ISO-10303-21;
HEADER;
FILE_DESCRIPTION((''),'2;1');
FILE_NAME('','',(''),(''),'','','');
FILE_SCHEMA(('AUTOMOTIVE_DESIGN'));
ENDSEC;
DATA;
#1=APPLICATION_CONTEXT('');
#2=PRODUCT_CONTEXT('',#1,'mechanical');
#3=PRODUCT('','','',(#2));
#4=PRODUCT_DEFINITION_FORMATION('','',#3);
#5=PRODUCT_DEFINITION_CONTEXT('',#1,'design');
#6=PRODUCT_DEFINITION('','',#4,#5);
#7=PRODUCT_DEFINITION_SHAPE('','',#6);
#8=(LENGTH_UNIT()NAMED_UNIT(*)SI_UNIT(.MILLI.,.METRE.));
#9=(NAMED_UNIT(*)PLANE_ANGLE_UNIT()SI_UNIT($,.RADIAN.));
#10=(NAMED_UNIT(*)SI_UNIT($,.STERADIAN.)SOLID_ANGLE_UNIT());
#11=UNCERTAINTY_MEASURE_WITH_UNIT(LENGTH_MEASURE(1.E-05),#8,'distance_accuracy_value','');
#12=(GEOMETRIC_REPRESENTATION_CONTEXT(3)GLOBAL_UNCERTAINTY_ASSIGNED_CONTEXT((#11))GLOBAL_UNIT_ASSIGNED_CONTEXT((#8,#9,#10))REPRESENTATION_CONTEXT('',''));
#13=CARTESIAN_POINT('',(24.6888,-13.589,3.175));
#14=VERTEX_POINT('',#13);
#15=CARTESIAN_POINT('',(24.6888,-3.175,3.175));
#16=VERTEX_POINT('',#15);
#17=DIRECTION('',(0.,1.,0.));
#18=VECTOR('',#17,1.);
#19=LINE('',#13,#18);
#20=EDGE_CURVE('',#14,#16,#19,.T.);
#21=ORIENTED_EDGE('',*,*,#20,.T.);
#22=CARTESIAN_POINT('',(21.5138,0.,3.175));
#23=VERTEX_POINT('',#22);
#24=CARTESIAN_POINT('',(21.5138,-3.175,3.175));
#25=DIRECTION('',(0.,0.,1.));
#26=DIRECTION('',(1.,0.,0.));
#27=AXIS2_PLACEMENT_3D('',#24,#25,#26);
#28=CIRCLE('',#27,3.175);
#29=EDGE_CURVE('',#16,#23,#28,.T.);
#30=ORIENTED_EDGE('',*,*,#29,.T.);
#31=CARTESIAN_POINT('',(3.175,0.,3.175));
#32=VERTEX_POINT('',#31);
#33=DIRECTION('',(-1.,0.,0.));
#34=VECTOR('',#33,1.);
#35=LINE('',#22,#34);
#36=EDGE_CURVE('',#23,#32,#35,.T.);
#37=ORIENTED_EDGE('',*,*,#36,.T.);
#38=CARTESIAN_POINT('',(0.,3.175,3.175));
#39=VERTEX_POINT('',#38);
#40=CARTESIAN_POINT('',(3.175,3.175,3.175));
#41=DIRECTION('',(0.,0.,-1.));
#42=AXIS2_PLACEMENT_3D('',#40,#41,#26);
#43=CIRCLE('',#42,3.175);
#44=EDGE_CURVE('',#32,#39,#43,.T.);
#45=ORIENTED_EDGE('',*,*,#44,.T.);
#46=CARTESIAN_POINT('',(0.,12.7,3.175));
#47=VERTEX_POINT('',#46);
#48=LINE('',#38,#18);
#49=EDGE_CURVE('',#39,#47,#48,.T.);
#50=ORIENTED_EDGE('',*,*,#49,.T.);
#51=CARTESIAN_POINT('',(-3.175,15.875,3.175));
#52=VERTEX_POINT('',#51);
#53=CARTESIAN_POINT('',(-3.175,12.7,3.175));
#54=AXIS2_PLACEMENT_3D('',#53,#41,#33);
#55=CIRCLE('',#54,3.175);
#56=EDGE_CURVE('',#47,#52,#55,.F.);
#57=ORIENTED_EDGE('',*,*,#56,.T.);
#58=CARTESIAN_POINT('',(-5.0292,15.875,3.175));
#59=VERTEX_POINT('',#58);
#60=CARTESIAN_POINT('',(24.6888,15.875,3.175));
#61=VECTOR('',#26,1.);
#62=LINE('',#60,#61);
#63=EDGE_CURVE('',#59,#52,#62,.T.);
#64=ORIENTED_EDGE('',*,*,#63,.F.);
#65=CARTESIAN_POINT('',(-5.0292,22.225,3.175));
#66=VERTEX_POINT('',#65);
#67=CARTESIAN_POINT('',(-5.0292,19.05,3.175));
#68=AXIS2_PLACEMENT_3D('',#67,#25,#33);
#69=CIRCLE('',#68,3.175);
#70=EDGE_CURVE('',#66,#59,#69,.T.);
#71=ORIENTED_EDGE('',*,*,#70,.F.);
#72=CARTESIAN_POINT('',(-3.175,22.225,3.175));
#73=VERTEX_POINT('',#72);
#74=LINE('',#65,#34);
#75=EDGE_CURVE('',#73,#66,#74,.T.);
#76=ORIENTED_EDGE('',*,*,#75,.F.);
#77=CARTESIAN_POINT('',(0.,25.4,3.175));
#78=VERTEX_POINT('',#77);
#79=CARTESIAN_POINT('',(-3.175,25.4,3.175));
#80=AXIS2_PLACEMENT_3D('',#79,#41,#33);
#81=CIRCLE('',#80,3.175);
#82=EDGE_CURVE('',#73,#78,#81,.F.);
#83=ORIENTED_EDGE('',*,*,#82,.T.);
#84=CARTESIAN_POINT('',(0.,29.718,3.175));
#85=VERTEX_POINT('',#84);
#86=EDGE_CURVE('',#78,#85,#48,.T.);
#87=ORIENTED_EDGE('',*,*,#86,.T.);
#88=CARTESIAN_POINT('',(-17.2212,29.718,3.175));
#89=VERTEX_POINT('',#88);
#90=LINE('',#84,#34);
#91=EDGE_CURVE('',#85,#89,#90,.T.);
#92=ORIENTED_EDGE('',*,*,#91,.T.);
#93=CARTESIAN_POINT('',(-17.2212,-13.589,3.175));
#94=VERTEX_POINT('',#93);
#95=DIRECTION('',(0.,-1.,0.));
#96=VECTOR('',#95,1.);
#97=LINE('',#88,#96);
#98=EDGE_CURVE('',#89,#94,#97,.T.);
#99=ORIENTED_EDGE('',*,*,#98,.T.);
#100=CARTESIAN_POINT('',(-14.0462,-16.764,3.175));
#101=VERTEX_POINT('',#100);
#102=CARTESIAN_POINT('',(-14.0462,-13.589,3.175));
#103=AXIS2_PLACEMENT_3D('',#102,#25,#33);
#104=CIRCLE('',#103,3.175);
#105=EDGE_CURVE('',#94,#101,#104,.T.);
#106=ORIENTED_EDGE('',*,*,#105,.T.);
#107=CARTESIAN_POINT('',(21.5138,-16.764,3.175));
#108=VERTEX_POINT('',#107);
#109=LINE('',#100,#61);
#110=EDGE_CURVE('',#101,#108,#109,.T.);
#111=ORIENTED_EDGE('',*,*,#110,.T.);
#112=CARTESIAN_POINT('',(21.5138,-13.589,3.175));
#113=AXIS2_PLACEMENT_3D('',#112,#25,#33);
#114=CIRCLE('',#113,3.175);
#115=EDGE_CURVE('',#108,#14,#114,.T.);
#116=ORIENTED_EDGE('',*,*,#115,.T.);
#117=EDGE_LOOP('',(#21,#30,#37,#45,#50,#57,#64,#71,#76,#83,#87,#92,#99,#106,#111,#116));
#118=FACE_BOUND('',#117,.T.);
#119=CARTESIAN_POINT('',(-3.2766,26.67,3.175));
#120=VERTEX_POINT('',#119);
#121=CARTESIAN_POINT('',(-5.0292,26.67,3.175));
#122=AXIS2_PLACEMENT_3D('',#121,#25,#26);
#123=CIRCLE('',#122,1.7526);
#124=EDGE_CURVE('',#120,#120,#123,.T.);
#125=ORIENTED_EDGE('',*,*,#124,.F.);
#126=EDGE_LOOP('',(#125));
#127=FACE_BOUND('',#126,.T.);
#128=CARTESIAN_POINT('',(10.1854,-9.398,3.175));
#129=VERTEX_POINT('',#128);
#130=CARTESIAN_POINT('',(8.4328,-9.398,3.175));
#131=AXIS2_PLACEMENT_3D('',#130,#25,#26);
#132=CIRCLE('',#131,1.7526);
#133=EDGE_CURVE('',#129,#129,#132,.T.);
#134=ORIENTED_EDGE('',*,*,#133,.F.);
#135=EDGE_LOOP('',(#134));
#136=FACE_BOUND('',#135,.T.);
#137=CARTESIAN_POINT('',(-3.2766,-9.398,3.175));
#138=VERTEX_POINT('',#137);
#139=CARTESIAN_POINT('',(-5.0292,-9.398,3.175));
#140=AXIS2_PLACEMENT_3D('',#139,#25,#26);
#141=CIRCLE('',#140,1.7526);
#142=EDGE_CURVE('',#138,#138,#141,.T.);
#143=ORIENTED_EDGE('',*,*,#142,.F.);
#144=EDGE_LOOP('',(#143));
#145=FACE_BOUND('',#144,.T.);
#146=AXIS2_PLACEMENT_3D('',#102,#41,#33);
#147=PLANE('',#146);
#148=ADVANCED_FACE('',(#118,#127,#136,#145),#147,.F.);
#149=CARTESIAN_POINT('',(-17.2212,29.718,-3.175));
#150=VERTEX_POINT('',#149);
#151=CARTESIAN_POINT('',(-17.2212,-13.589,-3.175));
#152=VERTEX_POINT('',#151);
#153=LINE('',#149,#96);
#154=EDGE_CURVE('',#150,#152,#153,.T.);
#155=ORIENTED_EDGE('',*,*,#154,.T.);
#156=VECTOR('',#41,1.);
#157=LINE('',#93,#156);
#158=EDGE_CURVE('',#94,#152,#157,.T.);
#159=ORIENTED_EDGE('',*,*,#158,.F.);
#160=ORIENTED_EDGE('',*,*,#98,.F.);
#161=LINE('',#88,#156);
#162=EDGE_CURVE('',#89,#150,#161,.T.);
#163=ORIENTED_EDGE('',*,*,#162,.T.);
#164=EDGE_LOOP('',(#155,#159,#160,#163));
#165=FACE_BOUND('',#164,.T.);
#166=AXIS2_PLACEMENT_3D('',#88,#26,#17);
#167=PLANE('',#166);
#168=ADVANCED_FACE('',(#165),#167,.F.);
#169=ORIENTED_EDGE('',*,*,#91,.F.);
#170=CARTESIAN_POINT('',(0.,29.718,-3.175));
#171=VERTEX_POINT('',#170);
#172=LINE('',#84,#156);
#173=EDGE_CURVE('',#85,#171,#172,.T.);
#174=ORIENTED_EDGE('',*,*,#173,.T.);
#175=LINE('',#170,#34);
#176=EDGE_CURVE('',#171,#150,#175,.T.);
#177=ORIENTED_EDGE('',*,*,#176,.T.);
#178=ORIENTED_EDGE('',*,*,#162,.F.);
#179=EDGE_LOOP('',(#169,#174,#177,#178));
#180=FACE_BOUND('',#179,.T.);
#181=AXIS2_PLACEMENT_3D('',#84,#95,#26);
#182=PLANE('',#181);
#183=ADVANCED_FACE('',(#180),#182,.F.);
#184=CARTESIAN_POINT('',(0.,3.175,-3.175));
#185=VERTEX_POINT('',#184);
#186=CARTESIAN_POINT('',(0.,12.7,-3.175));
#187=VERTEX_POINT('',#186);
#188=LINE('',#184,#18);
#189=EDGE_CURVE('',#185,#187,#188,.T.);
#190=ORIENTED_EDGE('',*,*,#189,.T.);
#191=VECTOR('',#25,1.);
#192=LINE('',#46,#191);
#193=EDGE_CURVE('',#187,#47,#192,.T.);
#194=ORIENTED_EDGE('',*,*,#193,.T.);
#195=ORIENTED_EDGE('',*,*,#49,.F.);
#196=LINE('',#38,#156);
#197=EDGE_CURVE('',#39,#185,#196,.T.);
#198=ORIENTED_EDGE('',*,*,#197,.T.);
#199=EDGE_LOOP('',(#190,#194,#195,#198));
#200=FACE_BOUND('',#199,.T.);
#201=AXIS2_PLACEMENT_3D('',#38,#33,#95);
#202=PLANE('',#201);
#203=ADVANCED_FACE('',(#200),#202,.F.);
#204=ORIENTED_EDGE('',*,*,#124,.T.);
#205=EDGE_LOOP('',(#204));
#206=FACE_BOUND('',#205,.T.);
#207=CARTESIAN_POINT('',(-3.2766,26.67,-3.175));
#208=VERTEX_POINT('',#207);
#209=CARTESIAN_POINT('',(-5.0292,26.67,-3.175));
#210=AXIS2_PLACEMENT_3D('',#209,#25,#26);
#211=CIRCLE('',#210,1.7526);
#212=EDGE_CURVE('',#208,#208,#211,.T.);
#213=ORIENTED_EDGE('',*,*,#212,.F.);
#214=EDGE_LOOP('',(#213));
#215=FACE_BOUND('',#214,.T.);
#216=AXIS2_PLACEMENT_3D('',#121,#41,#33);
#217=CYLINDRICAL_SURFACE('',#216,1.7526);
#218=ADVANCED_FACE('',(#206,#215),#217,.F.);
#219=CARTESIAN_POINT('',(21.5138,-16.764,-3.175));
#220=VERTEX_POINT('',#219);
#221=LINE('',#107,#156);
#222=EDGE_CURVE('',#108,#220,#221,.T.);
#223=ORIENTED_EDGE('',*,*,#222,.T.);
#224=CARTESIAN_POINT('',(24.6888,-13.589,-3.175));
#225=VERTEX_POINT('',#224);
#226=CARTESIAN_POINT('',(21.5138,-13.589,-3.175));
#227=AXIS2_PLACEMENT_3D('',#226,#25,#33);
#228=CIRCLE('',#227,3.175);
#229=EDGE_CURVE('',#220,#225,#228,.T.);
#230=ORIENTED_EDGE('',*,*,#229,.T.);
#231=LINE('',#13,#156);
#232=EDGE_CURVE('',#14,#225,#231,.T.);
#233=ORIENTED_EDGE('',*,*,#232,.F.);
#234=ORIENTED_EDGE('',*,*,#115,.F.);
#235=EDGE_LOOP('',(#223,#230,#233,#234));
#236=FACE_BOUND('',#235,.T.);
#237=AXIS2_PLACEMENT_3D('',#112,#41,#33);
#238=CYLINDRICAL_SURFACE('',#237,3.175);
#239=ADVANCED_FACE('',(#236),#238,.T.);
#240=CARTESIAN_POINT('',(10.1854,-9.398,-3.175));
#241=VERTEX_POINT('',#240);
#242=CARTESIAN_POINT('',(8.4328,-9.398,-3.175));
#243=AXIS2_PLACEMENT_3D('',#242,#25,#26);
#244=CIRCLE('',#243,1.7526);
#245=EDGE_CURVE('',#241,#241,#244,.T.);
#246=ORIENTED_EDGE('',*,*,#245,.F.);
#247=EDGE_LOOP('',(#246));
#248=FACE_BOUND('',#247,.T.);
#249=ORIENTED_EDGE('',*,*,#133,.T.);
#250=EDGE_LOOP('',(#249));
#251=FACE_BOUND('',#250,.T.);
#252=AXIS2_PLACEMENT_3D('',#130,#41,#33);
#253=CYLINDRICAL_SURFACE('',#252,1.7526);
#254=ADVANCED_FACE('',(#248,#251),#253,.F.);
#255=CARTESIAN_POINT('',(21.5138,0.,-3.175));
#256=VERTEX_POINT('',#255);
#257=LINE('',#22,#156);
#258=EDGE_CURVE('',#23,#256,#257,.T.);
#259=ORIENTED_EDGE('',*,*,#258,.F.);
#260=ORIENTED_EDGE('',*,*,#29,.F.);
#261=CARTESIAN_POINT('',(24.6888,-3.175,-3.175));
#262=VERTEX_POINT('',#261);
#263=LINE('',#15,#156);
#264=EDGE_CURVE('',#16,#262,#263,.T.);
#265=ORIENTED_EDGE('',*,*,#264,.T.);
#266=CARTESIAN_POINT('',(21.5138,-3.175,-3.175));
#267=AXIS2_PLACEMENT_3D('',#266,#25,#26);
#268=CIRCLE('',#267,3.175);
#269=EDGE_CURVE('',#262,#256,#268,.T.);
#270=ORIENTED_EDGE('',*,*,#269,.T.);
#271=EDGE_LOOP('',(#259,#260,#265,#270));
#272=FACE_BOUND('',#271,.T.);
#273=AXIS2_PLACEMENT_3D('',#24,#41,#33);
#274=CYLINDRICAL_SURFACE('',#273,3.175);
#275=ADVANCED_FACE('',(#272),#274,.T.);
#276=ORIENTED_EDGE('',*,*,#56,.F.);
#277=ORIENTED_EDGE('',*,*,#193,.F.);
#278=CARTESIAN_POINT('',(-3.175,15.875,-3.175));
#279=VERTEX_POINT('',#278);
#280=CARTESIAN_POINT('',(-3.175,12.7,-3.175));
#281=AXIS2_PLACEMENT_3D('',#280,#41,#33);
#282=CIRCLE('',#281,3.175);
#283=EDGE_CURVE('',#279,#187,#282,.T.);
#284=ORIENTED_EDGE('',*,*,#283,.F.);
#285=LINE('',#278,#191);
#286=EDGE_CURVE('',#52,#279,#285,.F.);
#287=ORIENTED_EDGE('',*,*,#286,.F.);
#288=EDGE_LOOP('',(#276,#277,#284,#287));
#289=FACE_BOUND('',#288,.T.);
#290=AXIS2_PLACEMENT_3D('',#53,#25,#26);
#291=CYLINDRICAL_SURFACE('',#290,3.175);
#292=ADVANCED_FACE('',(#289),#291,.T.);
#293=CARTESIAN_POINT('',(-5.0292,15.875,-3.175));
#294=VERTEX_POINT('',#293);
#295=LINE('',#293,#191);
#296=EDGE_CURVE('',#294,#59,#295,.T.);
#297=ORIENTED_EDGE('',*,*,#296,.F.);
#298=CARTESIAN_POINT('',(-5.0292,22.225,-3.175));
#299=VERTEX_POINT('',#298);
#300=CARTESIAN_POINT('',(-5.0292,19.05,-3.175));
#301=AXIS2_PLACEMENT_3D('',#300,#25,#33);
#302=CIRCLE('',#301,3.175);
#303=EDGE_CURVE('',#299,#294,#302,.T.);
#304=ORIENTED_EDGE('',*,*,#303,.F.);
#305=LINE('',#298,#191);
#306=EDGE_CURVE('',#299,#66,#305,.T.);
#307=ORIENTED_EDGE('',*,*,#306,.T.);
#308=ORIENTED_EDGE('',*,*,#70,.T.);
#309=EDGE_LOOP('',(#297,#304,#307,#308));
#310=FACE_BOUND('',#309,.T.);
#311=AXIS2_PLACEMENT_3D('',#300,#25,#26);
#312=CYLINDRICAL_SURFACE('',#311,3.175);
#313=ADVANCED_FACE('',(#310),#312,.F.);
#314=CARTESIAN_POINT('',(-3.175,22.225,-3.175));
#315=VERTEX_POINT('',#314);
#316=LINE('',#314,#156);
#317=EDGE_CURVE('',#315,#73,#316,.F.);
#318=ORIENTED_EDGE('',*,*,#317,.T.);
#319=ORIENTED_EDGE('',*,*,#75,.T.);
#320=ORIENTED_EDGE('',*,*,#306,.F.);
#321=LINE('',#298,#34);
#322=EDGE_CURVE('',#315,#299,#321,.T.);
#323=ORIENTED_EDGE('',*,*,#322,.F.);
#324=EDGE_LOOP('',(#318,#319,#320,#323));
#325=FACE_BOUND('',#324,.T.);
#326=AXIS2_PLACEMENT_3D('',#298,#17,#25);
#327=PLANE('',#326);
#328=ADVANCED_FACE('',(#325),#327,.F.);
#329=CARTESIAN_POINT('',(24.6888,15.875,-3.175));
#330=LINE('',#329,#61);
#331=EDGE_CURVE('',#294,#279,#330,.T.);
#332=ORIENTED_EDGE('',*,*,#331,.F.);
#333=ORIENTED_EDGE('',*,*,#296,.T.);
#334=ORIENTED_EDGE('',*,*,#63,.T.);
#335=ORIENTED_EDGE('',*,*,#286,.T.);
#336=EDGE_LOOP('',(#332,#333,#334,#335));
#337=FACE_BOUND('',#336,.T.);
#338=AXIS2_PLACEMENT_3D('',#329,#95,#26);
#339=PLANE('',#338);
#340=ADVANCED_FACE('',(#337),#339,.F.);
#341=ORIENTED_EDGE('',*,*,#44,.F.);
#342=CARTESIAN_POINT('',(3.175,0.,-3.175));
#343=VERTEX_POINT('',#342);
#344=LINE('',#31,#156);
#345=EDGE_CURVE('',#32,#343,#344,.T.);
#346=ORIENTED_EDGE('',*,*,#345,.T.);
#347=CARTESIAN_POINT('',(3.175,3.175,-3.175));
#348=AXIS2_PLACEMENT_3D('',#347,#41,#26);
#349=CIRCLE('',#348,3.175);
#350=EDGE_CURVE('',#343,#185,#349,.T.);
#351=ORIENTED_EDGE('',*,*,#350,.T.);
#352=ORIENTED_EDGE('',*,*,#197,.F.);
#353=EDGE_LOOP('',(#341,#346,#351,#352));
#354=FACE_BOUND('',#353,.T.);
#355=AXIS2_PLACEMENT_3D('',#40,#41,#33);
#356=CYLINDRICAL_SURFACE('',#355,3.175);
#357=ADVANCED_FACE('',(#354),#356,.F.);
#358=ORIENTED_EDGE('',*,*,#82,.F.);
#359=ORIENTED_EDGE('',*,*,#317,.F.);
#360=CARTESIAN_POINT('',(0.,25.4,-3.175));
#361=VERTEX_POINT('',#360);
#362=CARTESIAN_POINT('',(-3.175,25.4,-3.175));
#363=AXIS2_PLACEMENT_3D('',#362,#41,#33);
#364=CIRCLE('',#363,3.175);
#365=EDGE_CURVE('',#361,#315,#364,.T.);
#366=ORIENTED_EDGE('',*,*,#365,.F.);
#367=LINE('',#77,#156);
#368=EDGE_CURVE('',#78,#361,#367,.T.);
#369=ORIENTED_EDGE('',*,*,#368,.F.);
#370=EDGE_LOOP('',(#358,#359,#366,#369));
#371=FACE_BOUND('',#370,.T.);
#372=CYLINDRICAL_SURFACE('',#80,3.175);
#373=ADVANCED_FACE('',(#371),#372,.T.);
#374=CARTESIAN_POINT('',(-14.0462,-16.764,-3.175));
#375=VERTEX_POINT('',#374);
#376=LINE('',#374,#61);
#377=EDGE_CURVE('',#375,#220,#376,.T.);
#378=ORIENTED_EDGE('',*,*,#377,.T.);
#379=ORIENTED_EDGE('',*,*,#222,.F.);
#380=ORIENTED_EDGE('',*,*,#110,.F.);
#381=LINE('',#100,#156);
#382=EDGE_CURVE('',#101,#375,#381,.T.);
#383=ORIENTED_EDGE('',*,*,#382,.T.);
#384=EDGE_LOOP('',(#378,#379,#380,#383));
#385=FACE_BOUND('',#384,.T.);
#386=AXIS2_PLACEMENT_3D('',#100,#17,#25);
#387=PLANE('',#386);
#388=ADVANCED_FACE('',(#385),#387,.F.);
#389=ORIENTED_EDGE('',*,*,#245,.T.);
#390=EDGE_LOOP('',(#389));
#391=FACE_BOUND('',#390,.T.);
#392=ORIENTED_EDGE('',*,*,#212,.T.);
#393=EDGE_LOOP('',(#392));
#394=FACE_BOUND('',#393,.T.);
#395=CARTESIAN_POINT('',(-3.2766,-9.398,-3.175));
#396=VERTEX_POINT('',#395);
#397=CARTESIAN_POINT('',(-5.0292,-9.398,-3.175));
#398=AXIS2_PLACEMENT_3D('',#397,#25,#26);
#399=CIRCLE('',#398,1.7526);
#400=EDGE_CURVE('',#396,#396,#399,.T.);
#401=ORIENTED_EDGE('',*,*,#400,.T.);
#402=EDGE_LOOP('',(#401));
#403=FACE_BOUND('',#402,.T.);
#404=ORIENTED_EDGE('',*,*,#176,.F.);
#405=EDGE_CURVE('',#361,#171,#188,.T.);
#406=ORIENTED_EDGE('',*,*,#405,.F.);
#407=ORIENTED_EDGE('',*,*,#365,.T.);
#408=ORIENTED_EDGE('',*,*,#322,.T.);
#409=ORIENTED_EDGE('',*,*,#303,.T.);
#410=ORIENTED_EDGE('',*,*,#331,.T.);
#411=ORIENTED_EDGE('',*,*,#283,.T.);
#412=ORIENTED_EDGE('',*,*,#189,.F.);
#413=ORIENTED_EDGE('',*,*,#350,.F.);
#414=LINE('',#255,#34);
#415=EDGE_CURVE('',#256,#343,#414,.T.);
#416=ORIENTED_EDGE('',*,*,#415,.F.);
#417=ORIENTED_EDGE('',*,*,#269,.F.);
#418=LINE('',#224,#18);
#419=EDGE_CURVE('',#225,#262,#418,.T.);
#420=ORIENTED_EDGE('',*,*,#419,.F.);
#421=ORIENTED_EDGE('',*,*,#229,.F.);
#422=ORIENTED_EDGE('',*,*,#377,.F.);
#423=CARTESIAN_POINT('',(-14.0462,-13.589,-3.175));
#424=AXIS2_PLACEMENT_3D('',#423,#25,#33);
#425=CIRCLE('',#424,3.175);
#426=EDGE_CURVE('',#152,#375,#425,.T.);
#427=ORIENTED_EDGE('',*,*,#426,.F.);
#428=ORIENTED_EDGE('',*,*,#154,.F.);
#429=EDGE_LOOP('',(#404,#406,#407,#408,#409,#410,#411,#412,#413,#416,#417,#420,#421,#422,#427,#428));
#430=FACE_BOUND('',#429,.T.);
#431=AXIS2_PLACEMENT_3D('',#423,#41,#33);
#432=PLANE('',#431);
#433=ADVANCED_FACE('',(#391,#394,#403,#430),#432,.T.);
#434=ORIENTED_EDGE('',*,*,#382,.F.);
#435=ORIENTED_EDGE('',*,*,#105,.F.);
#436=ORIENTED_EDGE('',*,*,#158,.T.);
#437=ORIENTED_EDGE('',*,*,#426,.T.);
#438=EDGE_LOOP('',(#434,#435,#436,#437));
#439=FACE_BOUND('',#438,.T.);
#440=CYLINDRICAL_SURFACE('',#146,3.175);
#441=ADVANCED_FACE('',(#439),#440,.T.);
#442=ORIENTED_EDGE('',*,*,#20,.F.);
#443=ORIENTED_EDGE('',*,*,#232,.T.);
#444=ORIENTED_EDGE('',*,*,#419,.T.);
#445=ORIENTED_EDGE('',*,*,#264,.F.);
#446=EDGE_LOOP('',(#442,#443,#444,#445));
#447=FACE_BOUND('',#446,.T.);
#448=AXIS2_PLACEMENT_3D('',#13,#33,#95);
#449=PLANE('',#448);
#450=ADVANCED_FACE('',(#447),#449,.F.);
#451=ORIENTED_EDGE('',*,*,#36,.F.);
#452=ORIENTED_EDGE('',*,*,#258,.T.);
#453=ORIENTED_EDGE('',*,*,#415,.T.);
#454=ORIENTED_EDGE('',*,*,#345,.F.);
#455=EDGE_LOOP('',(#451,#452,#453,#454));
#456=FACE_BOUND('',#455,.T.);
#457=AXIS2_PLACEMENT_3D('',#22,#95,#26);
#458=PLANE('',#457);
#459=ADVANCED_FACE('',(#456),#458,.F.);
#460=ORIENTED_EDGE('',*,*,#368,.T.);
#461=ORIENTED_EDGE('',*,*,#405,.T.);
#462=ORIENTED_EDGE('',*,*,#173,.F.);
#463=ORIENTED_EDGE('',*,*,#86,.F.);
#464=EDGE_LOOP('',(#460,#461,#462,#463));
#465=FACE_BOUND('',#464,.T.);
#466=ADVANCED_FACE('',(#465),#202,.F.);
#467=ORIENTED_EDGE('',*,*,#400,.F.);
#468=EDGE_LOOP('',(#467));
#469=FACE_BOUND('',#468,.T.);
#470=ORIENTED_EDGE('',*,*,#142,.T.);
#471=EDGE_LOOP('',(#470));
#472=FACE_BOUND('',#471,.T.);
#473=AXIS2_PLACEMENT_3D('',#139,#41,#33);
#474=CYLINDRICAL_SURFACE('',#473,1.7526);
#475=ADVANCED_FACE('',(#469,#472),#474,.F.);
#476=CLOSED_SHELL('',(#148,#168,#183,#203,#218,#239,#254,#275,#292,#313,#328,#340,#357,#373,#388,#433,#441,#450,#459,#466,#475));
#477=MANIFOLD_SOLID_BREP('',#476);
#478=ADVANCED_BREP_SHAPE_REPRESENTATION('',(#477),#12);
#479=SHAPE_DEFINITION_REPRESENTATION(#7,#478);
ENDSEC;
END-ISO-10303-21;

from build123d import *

# Parameters (mm, degrees)
SKETCH1_R           = 1.7526
BOSS_EXTRUDE1_DEPTH = 3.175
CUT_EXTRUDE1_DEPTH  = 40.153784867
FILLET1_R           = 3.175


with BuildPart() as part:
    # Sketch1 → Boss-Extrude1 (new, symmetric)
    with BuildSketch(Plane.XY):
        with BuildLine():
            Line((-17.2212, 29.718), (-17.2212, -13.589))
            ThreePointArc((-17.2212, -13.589), (-16.29126403, -15.83406403), (-14.0462, -16.764))
            Line((-14.0462, -16.764), (21.5138, -16.764))
            ThreePointArc((21.5138, -16.764), (23.75886403, -15.83406403), (24.6888, -13.589))
            Line((24.6888, -13.589), (24.6888, -3.175))
            ThreePointArc((24.6888, -3.175), (23.75886403, -0.92993597), (21.5138, 0))
            Line((21.5138, 0), (3.175, 0))
            ThreePointArc((3.175, 0), (0.92993597, 0.92993597), (0, 3.175))
            Line((0, 3.175), (0, 29.718))
            Line((0, 29.718), (-17.2212, 29.718))
        make_face()
        with Locations((-5.0292, 26.67)):
            Circle(SKETCH1_R, mode=Mode.SUBTRACT)
        with Locations((-5.0292, -9.398)):
            Circle(SKETCH1_R, mode=Mode.SUBTRACT)
        with Locations((8.4328, -9.398)):
            Circle(SKETCH1_R, mode=Mode.SUBTRACT)
    extrude(amount=BOSS_EXTRUDE1_DEPTH, both=True)

    # Sketch2 → Cut-Extrude1 (cut, through all)
    with BuildSketch(Plane.XY.offset(3.175)):
        with BuildLine():
            Line((-5.0292, 22.225), (24.6888, 22.225))
            Line((24.6888, 22.225), (24.6888, 15.875))
            Line((24.6888, 15.875), (-5.0292, 15.875))
            ThreePointArc((-5.0292, 15.875), (-8.2042, 19.05), (-5.0292, 22.225))
        make_face()
    extrude(amount=-CUT_EXTRUDE1_DEPTH, mode=Mode.SUBTRACT)

    # Fillet1
    fillet1_edges = [part.edges().sort_by_distance(p)[0] for p in [
        (0, 15.875, 0),
        (0, 22.225, 0),
    ]]
    fillet(fillet1_edges, radius=FILLET1_R)


solid = part.part
